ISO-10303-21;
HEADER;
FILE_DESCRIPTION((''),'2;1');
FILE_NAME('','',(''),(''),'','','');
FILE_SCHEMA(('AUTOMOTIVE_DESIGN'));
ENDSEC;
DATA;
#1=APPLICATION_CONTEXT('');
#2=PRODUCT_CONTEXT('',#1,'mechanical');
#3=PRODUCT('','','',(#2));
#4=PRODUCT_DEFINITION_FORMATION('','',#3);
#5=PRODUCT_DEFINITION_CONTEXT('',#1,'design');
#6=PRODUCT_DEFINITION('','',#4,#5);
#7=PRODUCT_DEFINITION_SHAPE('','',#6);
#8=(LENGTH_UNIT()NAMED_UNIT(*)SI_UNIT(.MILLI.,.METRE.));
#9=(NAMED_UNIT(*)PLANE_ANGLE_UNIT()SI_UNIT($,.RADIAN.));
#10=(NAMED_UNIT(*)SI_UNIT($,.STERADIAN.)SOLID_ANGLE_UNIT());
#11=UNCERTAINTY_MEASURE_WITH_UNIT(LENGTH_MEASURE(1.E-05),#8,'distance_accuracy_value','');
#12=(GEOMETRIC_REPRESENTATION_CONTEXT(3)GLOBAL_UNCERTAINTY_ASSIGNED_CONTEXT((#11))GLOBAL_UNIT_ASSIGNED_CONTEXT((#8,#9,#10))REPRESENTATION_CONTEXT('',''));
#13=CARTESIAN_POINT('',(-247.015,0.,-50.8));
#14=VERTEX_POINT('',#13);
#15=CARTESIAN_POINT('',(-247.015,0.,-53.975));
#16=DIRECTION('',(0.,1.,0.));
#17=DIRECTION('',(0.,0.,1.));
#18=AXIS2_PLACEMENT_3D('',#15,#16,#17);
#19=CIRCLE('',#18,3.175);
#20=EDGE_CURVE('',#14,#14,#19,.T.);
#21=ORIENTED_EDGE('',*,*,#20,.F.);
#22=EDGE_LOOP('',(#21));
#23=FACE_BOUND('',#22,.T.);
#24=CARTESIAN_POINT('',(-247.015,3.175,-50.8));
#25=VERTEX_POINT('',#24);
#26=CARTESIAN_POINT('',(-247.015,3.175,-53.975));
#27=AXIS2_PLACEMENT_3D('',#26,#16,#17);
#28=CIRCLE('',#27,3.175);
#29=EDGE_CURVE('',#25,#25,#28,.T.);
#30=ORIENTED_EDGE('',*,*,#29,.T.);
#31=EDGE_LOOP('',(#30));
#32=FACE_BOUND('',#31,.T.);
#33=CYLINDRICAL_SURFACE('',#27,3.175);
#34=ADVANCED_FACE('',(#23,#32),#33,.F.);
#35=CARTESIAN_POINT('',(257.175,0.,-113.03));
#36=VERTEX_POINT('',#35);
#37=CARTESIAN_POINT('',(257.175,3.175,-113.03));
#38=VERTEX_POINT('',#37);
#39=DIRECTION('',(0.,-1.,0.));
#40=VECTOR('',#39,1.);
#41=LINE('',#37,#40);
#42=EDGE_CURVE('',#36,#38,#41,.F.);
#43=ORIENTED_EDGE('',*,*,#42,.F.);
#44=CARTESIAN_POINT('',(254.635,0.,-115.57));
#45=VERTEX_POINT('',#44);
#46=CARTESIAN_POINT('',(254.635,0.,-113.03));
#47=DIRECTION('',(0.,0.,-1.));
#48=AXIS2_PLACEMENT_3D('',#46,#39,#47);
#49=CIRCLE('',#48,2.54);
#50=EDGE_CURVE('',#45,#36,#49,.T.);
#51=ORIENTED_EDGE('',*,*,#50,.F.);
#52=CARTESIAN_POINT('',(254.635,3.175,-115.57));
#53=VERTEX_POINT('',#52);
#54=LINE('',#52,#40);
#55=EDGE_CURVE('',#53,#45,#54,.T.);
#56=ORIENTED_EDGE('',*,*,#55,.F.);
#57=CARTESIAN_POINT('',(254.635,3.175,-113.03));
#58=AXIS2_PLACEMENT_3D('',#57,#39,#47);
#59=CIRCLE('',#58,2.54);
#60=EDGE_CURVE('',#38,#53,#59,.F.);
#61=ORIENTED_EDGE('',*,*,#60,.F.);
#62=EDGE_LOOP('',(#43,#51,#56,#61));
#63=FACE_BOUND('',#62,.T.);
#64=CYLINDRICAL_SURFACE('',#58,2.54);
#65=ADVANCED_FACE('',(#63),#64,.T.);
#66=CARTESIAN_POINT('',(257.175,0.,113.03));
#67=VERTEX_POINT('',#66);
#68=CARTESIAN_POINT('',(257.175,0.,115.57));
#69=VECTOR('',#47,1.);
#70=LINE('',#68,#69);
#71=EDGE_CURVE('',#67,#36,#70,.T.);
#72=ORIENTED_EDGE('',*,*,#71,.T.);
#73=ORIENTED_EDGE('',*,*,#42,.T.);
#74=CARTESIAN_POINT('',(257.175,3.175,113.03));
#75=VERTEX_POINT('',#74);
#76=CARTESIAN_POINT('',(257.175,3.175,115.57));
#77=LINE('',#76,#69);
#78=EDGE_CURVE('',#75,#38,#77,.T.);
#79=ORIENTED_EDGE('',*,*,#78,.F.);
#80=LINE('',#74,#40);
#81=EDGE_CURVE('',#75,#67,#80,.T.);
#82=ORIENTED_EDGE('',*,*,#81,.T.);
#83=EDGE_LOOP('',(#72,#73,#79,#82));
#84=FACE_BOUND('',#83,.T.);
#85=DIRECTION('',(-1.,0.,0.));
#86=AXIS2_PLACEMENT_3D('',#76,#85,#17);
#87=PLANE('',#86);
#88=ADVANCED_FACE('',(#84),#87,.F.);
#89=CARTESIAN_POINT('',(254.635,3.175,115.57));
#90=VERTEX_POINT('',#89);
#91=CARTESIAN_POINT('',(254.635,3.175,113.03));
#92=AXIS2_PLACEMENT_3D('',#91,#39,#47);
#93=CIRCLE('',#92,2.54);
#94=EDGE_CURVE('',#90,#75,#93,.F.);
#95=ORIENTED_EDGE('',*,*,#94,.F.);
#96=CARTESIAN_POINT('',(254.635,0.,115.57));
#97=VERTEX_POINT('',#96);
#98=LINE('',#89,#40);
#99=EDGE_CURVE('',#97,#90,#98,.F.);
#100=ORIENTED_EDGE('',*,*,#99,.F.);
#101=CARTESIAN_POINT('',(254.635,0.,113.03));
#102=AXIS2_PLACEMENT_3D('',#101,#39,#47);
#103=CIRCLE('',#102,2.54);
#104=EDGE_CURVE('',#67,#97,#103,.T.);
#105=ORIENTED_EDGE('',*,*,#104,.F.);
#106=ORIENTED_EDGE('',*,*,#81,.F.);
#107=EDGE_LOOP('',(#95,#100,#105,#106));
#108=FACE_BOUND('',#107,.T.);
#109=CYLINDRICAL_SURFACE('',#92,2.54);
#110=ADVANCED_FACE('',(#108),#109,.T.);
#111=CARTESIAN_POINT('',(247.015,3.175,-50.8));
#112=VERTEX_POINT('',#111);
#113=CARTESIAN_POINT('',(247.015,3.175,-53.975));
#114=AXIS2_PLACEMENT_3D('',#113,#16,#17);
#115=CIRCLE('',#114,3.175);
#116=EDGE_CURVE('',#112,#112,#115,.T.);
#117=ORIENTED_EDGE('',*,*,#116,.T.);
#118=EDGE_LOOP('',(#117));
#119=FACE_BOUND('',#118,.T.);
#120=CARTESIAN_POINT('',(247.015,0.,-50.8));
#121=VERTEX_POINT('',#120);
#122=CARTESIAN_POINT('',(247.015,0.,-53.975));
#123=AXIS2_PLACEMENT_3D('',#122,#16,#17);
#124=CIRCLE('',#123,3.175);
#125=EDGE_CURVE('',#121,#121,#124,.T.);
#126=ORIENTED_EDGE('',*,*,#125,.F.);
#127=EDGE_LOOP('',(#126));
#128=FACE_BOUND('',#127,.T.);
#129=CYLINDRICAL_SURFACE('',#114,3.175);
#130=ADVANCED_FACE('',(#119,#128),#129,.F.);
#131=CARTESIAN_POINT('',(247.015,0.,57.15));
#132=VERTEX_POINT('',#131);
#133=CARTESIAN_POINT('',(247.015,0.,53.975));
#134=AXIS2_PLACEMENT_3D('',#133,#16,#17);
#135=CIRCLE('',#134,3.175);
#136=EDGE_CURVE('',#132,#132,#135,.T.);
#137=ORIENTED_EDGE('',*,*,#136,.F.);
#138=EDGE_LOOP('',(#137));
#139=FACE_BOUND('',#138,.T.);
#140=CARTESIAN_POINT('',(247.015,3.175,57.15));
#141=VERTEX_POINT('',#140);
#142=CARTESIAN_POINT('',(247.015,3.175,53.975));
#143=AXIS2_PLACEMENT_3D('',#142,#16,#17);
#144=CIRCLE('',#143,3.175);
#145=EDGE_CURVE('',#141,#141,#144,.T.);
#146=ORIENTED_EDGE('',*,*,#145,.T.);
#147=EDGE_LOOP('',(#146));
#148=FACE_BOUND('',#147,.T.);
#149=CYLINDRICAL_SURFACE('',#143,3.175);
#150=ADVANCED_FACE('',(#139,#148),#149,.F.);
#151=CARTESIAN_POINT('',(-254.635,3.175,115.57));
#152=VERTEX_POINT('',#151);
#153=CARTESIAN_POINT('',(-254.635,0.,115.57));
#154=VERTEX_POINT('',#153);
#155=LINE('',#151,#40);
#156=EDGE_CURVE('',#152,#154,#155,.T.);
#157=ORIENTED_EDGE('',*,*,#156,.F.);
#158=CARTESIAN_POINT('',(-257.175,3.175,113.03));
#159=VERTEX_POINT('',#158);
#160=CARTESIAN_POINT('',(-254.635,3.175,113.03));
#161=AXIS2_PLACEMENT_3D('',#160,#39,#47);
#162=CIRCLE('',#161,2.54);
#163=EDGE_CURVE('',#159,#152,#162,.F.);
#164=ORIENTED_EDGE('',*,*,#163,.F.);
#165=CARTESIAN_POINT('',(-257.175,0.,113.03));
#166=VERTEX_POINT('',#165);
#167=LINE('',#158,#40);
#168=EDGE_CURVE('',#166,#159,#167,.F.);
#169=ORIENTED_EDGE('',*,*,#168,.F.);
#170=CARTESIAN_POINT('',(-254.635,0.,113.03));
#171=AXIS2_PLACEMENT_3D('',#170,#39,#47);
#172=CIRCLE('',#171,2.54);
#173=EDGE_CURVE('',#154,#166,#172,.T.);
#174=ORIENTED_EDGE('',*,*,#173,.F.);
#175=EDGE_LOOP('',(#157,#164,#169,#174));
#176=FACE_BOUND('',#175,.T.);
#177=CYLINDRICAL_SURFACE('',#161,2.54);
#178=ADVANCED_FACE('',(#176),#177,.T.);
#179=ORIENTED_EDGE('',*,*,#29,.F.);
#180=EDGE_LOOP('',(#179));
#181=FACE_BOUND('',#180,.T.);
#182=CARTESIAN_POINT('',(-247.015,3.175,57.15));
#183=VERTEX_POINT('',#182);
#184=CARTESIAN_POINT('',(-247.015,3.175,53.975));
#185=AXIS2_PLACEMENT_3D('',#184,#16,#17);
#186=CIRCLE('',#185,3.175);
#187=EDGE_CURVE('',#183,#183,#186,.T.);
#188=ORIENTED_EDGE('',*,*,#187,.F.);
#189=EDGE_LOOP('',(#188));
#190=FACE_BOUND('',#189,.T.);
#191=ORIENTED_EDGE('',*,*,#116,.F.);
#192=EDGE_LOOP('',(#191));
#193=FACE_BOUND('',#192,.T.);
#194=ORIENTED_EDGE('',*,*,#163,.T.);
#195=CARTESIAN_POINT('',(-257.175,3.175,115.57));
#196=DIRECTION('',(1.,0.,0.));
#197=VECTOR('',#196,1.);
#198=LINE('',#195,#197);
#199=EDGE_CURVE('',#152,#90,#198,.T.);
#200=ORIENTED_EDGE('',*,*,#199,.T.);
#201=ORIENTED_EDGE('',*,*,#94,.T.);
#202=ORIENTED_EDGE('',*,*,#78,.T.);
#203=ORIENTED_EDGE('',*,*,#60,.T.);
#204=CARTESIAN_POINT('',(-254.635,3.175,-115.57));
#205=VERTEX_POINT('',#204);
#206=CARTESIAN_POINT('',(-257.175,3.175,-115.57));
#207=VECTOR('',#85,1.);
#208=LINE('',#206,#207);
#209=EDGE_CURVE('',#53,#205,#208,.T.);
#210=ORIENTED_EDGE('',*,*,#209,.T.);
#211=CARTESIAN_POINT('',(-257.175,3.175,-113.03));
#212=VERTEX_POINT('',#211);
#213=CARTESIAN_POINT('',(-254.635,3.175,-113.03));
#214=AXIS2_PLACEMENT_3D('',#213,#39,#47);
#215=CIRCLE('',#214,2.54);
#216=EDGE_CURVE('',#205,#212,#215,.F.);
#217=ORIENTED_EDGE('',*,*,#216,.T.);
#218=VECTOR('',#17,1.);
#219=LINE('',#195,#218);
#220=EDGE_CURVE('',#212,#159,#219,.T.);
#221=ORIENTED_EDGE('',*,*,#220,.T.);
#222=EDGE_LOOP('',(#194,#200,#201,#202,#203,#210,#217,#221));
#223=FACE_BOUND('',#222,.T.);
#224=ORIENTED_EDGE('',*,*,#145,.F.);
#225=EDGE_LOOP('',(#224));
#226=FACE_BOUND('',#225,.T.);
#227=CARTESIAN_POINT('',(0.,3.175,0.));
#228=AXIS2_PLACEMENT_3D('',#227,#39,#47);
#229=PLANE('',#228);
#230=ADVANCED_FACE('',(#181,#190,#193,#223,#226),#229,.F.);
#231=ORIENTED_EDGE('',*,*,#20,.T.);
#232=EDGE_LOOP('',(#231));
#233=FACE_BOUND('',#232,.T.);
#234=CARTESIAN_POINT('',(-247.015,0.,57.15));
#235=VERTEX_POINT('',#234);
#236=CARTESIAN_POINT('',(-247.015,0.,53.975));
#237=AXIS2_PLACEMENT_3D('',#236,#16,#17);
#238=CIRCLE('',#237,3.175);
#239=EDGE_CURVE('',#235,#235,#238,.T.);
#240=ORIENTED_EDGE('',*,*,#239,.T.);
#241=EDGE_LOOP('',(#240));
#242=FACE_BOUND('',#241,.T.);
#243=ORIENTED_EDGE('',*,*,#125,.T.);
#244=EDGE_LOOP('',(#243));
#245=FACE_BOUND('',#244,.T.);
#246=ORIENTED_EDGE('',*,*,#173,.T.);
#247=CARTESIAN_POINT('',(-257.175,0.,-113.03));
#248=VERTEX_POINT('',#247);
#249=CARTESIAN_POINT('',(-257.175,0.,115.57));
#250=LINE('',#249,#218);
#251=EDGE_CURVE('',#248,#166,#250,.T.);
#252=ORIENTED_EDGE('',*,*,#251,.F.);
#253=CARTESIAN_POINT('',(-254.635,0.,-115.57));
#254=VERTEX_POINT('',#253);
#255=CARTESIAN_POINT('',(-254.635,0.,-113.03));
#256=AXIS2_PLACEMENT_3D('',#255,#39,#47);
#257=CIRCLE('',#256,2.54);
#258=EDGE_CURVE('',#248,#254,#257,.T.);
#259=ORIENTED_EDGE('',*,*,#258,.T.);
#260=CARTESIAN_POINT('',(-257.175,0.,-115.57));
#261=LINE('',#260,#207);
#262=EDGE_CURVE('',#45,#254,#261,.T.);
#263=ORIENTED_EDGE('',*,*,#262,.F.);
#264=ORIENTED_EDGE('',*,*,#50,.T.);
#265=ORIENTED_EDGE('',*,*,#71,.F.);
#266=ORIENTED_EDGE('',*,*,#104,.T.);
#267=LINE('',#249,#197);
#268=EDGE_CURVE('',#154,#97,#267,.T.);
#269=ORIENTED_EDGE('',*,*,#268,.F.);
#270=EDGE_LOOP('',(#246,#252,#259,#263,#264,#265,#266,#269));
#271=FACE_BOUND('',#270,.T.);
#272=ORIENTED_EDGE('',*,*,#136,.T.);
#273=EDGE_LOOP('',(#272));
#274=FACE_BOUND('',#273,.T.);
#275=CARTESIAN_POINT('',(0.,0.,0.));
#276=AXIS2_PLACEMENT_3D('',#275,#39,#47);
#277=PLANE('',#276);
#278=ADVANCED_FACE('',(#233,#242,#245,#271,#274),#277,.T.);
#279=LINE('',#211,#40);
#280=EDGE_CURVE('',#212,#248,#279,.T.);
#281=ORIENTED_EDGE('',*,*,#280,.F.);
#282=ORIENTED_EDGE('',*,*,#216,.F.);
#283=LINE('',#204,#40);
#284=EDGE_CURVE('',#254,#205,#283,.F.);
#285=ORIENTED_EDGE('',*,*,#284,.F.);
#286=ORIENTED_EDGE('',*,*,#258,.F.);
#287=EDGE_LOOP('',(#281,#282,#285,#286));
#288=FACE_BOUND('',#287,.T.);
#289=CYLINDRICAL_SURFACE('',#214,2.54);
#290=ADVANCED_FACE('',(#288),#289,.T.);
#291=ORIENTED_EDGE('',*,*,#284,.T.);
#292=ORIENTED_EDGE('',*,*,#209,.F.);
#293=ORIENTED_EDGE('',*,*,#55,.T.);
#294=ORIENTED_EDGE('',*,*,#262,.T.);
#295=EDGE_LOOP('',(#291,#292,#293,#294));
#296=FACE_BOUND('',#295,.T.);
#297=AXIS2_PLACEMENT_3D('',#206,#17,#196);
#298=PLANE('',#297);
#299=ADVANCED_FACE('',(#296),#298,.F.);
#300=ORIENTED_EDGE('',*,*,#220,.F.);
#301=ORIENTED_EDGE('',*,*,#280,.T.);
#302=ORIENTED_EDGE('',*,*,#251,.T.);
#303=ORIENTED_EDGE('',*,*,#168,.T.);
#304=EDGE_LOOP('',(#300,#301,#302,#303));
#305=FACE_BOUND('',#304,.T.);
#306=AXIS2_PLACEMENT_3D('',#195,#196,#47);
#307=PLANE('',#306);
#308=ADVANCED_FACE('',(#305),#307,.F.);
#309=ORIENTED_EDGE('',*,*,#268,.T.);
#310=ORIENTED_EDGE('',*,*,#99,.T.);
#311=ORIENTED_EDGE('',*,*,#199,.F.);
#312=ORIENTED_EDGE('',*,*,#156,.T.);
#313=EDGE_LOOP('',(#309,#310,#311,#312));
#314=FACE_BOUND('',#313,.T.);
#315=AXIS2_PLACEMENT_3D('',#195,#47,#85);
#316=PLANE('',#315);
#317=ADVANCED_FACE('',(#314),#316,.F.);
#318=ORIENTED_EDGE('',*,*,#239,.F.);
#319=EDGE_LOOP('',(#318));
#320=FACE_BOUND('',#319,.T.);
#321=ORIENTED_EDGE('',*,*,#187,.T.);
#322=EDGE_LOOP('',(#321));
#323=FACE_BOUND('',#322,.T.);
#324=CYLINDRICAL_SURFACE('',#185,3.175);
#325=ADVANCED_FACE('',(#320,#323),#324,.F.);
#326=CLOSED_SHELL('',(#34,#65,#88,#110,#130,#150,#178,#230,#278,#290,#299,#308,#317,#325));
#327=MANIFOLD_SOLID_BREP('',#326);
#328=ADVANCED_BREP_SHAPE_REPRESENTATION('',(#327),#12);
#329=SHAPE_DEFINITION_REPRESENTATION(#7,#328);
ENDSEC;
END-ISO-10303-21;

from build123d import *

# Parameters (mm, degrees)
SKETCH1_W                   = 514.35
SKETCH1_H                   = 231.14
BOSS_EXTRUDE1_DEPTH         = 3.175
F_1_4_0_25_DIAMETER_HOLE1_D = 6.35
FILLET1_R                   = 2.54


with BuildPart() as part:
    # Sketch1 → Boss-Extrude1 (new body)
    with BuildSketch(Plane(origin=(0, 0, 0), x_dir=(1, 0, 0), z_dir=(0, 1, 0))):
        Rectangle(SKETCH1_W, SKETCH1_H)
    extrude(amount=BOSS_EXTRUDE1_DEPTH)

    # 1/4 (0.25) Diameter Hole1 (through all)
    with Locations(Plane(origin=(0, 3.175, 0), x_dir=(1, 0, 0), z_dir=(0, 1, 0))):
        with Locations((-247.015, 53.975), (-247.015, -53.975), (247.015, -53.975), (247.015, 53.975)):
            Hole(F_1_4_0_25_DIAMETER_HOLE1_D / 2)

    # Fillet1
    fillet1_edges = [part.edges().sort_by_distance(p)[0] for p in [
        (257.175, 1.5875, 115.57),
        (-257.175, 1.5875, 115.57),
        (-257.175, 1.5875, -115.57),
        (257.175, 1.5875, -115.57),
    ]]
    fillet(fillet1_edges, radius=FILLET1_R)


solid = part.part
